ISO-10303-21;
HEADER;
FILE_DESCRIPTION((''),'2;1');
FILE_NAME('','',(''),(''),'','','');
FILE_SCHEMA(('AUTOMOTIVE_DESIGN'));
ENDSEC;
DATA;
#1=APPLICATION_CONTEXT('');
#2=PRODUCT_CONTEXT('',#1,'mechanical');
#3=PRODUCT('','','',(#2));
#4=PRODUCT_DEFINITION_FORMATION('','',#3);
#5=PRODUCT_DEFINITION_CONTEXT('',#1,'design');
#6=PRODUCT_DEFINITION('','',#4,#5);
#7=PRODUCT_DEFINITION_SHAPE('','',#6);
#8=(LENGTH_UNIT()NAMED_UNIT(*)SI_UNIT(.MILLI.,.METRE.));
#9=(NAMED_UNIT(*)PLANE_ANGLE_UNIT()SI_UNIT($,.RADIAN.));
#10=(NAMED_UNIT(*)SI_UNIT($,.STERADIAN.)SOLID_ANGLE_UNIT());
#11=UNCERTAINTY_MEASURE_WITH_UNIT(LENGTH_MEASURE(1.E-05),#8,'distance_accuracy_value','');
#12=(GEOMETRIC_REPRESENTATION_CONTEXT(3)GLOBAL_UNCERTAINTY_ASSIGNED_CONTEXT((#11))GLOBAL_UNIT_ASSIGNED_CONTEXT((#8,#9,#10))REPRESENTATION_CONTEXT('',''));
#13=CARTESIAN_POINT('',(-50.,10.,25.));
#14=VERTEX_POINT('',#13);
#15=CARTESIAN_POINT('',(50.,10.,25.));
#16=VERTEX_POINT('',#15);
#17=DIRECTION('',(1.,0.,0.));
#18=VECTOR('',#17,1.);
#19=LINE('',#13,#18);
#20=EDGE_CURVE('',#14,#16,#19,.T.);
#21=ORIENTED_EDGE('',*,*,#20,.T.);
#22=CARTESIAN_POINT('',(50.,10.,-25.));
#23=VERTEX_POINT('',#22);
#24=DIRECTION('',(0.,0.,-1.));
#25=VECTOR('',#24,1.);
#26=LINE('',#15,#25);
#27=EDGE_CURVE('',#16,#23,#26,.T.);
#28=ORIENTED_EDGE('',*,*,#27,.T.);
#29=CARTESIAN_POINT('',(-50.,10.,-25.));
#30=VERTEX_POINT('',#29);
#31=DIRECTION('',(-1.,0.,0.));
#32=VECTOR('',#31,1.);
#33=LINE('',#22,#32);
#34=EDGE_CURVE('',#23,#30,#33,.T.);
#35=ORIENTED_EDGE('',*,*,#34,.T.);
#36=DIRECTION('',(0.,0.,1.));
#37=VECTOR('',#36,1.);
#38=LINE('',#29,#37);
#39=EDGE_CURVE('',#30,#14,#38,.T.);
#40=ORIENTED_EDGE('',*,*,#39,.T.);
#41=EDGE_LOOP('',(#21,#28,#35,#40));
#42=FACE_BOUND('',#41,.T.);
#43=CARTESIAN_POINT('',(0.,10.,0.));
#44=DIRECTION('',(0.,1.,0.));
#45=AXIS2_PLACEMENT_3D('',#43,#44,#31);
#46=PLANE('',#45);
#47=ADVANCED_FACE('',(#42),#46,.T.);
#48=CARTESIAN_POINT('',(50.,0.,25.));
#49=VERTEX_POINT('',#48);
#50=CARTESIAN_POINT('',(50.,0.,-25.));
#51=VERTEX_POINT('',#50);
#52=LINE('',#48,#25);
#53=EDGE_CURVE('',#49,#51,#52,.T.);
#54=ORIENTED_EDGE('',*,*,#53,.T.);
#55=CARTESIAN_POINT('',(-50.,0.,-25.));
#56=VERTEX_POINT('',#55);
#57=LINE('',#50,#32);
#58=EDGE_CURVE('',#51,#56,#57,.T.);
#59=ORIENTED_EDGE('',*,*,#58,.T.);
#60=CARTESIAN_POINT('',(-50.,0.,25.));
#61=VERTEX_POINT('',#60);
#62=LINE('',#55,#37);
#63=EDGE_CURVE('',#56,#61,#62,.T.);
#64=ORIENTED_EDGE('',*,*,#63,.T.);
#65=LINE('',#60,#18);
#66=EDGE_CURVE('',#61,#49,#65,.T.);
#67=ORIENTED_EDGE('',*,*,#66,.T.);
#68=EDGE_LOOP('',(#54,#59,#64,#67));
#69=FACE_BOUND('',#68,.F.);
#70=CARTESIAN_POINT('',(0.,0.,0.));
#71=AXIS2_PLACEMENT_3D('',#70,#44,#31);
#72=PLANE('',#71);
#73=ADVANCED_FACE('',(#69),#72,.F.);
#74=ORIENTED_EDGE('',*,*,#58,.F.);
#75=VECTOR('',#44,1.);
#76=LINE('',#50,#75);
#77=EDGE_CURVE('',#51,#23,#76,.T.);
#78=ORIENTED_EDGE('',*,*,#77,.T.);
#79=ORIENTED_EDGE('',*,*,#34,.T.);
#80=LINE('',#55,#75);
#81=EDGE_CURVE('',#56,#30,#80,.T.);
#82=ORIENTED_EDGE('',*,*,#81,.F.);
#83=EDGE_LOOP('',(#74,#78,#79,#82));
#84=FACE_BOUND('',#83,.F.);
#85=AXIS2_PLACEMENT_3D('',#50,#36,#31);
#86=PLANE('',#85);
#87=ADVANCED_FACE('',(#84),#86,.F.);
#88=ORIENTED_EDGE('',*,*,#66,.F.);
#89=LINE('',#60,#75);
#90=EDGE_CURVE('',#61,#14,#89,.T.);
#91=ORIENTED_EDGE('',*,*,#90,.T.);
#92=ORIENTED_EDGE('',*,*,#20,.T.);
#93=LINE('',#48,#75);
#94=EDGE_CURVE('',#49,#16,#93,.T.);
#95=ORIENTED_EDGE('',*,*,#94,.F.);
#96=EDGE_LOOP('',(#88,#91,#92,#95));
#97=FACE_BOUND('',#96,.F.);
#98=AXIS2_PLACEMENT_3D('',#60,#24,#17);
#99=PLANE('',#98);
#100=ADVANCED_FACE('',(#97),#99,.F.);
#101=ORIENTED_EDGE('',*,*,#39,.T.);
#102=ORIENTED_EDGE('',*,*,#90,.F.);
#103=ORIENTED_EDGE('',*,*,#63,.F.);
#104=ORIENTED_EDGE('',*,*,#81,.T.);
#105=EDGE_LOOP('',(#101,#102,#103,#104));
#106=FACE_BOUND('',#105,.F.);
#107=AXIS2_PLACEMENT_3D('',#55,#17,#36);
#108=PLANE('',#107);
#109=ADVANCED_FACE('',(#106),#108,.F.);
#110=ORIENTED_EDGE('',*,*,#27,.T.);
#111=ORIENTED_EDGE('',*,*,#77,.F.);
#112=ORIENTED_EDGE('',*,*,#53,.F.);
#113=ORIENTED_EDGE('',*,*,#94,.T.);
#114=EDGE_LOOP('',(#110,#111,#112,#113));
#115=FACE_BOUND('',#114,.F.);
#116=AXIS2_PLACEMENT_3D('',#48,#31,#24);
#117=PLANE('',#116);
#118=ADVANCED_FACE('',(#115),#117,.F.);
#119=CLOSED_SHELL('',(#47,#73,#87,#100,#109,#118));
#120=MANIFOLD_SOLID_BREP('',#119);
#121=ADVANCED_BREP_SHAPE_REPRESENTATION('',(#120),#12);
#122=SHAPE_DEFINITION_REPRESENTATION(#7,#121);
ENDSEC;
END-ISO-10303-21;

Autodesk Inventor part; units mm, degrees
ref_plane "YZ Plane" through (0, 0, 0) normal (1, 0, 0) x (0, 1, 0)
ref_plane "XZ Plane" through (0, 0, 0) normal (0, 1, 0) x (-1, 0, 0)
ref_plane "XY Plane" through (0, 0, 0) normal (0, 0, 1) x (1, 0, 0)
sketch "Sketch1" plane through (0, 0, 0) normal (0, 1, 0) x (-1, 0, 0)
  line L0 (50, 25) -> (-50, 25)
  line L1 (-50, 25) -> (-50, -25)
  line L2 (-50, -25) -> (50, -25)
  line L3 (50, -25) -> (50, 25)
  line L4 (50, 25) -> (-50, -25) construction
  line L5 (-50, 25) -> (50, -25) construction
  point P0 (0, 0)
  dimension "d0" = 100
  dimension "d1" = 50
extrude "Extrusion1" add sketch "Sketch1" along normal blind 10
